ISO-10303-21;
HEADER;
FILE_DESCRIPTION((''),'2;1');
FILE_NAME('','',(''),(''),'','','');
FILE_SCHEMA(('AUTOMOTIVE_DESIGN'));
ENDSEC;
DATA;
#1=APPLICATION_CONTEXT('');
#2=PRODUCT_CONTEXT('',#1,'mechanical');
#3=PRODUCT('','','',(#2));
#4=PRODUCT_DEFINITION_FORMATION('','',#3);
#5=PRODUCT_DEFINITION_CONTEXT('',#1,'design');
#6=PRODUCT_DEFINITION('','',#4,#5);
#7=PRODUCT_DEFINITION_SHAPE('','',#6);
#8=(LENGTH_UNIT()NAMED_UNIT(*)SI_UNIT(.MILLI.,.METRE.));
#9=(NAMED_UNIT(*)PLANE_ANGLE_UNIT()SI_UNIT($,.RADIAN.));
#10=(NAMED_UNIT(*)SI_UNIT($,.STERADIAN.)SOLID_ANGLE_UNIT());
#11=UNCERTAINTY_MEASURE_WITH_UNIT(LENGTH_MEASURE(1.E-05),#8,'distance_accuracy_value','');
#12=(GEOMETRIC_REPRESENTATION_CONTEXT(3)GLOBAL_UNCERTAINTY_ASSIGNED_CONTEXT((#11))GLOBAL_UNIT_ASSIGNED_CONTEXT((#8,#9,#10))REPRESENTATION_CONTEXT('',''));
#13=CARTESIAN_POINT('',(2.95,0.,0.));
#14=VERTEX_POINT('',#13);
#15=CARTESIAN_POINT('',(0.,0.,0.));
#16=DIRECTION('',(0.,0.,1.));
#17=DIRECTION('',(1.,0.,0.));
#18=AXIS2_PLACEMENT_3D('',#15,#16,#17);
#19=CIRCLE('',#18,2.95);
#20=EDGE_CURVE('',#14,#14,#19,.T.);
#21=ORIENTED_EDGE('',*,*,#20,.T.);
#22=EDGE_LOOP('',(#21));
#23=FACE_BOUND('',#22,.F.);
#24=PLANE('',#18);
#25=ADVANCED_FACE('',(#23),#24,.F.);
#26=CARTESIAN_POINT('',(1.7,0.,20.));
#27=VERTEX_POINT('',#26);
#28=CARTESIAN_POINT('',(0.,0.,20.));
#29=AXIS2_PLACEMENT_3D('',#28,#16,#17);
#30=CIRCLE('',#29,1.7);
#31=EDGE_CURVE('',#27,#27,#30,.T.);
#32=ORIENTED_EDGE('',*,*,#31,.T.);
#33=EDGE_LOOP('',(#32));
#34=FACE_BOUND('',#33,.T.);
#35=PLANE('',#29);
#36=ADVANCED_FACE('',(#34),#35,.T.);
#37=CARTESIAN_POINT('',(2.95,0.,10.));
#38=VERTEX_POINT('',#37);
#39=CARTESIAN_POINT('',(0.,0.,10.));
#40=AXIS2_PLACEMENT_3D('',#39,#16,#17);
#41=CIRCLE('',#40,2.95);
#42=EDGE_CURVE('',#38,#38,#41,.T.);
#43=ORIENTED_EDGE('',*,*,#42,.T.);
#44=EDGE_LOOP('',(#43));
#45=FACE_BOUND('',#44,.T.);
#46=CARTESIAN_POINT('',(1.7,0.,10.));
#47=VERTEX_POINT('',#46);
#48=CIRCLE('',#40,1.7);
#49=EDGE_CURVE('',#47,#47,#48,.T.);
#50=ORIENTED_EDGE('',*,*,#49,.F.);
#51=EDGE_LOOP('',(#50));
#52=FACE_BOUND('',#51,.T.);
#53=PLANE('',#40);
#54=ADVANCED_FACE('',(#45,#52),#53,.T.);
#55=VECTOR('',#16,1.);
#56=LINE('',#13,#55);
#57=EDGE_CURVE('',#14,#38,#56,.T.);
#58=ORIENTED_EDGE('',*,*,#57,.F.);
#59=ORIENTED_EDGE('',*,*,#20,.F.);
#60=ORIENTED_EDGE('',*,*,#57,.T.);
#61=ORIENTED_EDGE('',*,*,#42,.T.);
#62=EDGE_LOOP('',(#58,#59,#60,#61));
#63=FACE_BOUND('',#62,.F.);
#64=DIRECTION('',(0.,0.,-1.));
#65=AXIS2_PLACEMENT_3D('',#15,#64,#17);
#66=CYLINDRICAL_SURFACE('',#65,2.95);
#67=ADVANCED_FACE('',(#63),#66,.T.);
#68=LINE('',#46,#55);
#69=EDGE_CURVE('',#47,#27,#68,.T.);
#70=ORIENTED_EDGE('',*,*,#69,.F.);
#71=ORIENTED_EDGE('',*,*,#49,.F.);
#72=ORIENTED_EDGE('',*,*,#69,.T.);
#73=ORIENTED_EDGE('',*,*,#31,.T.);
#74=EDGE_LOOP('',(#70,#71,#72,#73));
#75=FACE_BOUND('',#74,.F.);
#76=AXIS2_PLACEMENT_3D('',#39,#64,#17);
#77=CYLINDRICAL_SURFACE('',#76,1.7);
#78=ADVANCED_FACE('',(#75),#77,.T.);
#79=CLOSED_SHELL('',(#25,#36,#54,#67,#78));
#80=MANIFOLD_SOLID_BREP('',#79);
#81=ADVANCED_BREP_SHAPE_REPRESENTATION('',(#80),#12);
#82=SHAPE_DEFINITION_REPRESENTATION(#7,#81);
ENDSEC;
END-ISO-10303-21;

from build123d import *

# Parameters (mm, degrees)
CYLINDER1036_R     = 2.95
CYLINDER1036_DEPTH = 10
CYLINDER1037_R     = 1.7
CYLINDER1037_DEPTH = 10


with BuildPart() as cylinder1078:
    # Cylinder1036 → Cylinder1036 (new body)
    with BuildSketch(Plane.XY):
        Circle(CYLINDER1036_R)
    extrude(amount=CYLINDER1036_DEPTH)


with BuildPart() as m3boltshort:
    # Cylinder1037 → Cylinder1037 (new body)
    with BuildSketch(Plane.XY.offset(10)):
        Circle(CYLINDER1037_R)
    extrude(amount=CYLINDER1037_DEPTH)

    # Fusion114: union Cylinder1078
    add(cylinder1078.part)


solid = m3boltshort.part
